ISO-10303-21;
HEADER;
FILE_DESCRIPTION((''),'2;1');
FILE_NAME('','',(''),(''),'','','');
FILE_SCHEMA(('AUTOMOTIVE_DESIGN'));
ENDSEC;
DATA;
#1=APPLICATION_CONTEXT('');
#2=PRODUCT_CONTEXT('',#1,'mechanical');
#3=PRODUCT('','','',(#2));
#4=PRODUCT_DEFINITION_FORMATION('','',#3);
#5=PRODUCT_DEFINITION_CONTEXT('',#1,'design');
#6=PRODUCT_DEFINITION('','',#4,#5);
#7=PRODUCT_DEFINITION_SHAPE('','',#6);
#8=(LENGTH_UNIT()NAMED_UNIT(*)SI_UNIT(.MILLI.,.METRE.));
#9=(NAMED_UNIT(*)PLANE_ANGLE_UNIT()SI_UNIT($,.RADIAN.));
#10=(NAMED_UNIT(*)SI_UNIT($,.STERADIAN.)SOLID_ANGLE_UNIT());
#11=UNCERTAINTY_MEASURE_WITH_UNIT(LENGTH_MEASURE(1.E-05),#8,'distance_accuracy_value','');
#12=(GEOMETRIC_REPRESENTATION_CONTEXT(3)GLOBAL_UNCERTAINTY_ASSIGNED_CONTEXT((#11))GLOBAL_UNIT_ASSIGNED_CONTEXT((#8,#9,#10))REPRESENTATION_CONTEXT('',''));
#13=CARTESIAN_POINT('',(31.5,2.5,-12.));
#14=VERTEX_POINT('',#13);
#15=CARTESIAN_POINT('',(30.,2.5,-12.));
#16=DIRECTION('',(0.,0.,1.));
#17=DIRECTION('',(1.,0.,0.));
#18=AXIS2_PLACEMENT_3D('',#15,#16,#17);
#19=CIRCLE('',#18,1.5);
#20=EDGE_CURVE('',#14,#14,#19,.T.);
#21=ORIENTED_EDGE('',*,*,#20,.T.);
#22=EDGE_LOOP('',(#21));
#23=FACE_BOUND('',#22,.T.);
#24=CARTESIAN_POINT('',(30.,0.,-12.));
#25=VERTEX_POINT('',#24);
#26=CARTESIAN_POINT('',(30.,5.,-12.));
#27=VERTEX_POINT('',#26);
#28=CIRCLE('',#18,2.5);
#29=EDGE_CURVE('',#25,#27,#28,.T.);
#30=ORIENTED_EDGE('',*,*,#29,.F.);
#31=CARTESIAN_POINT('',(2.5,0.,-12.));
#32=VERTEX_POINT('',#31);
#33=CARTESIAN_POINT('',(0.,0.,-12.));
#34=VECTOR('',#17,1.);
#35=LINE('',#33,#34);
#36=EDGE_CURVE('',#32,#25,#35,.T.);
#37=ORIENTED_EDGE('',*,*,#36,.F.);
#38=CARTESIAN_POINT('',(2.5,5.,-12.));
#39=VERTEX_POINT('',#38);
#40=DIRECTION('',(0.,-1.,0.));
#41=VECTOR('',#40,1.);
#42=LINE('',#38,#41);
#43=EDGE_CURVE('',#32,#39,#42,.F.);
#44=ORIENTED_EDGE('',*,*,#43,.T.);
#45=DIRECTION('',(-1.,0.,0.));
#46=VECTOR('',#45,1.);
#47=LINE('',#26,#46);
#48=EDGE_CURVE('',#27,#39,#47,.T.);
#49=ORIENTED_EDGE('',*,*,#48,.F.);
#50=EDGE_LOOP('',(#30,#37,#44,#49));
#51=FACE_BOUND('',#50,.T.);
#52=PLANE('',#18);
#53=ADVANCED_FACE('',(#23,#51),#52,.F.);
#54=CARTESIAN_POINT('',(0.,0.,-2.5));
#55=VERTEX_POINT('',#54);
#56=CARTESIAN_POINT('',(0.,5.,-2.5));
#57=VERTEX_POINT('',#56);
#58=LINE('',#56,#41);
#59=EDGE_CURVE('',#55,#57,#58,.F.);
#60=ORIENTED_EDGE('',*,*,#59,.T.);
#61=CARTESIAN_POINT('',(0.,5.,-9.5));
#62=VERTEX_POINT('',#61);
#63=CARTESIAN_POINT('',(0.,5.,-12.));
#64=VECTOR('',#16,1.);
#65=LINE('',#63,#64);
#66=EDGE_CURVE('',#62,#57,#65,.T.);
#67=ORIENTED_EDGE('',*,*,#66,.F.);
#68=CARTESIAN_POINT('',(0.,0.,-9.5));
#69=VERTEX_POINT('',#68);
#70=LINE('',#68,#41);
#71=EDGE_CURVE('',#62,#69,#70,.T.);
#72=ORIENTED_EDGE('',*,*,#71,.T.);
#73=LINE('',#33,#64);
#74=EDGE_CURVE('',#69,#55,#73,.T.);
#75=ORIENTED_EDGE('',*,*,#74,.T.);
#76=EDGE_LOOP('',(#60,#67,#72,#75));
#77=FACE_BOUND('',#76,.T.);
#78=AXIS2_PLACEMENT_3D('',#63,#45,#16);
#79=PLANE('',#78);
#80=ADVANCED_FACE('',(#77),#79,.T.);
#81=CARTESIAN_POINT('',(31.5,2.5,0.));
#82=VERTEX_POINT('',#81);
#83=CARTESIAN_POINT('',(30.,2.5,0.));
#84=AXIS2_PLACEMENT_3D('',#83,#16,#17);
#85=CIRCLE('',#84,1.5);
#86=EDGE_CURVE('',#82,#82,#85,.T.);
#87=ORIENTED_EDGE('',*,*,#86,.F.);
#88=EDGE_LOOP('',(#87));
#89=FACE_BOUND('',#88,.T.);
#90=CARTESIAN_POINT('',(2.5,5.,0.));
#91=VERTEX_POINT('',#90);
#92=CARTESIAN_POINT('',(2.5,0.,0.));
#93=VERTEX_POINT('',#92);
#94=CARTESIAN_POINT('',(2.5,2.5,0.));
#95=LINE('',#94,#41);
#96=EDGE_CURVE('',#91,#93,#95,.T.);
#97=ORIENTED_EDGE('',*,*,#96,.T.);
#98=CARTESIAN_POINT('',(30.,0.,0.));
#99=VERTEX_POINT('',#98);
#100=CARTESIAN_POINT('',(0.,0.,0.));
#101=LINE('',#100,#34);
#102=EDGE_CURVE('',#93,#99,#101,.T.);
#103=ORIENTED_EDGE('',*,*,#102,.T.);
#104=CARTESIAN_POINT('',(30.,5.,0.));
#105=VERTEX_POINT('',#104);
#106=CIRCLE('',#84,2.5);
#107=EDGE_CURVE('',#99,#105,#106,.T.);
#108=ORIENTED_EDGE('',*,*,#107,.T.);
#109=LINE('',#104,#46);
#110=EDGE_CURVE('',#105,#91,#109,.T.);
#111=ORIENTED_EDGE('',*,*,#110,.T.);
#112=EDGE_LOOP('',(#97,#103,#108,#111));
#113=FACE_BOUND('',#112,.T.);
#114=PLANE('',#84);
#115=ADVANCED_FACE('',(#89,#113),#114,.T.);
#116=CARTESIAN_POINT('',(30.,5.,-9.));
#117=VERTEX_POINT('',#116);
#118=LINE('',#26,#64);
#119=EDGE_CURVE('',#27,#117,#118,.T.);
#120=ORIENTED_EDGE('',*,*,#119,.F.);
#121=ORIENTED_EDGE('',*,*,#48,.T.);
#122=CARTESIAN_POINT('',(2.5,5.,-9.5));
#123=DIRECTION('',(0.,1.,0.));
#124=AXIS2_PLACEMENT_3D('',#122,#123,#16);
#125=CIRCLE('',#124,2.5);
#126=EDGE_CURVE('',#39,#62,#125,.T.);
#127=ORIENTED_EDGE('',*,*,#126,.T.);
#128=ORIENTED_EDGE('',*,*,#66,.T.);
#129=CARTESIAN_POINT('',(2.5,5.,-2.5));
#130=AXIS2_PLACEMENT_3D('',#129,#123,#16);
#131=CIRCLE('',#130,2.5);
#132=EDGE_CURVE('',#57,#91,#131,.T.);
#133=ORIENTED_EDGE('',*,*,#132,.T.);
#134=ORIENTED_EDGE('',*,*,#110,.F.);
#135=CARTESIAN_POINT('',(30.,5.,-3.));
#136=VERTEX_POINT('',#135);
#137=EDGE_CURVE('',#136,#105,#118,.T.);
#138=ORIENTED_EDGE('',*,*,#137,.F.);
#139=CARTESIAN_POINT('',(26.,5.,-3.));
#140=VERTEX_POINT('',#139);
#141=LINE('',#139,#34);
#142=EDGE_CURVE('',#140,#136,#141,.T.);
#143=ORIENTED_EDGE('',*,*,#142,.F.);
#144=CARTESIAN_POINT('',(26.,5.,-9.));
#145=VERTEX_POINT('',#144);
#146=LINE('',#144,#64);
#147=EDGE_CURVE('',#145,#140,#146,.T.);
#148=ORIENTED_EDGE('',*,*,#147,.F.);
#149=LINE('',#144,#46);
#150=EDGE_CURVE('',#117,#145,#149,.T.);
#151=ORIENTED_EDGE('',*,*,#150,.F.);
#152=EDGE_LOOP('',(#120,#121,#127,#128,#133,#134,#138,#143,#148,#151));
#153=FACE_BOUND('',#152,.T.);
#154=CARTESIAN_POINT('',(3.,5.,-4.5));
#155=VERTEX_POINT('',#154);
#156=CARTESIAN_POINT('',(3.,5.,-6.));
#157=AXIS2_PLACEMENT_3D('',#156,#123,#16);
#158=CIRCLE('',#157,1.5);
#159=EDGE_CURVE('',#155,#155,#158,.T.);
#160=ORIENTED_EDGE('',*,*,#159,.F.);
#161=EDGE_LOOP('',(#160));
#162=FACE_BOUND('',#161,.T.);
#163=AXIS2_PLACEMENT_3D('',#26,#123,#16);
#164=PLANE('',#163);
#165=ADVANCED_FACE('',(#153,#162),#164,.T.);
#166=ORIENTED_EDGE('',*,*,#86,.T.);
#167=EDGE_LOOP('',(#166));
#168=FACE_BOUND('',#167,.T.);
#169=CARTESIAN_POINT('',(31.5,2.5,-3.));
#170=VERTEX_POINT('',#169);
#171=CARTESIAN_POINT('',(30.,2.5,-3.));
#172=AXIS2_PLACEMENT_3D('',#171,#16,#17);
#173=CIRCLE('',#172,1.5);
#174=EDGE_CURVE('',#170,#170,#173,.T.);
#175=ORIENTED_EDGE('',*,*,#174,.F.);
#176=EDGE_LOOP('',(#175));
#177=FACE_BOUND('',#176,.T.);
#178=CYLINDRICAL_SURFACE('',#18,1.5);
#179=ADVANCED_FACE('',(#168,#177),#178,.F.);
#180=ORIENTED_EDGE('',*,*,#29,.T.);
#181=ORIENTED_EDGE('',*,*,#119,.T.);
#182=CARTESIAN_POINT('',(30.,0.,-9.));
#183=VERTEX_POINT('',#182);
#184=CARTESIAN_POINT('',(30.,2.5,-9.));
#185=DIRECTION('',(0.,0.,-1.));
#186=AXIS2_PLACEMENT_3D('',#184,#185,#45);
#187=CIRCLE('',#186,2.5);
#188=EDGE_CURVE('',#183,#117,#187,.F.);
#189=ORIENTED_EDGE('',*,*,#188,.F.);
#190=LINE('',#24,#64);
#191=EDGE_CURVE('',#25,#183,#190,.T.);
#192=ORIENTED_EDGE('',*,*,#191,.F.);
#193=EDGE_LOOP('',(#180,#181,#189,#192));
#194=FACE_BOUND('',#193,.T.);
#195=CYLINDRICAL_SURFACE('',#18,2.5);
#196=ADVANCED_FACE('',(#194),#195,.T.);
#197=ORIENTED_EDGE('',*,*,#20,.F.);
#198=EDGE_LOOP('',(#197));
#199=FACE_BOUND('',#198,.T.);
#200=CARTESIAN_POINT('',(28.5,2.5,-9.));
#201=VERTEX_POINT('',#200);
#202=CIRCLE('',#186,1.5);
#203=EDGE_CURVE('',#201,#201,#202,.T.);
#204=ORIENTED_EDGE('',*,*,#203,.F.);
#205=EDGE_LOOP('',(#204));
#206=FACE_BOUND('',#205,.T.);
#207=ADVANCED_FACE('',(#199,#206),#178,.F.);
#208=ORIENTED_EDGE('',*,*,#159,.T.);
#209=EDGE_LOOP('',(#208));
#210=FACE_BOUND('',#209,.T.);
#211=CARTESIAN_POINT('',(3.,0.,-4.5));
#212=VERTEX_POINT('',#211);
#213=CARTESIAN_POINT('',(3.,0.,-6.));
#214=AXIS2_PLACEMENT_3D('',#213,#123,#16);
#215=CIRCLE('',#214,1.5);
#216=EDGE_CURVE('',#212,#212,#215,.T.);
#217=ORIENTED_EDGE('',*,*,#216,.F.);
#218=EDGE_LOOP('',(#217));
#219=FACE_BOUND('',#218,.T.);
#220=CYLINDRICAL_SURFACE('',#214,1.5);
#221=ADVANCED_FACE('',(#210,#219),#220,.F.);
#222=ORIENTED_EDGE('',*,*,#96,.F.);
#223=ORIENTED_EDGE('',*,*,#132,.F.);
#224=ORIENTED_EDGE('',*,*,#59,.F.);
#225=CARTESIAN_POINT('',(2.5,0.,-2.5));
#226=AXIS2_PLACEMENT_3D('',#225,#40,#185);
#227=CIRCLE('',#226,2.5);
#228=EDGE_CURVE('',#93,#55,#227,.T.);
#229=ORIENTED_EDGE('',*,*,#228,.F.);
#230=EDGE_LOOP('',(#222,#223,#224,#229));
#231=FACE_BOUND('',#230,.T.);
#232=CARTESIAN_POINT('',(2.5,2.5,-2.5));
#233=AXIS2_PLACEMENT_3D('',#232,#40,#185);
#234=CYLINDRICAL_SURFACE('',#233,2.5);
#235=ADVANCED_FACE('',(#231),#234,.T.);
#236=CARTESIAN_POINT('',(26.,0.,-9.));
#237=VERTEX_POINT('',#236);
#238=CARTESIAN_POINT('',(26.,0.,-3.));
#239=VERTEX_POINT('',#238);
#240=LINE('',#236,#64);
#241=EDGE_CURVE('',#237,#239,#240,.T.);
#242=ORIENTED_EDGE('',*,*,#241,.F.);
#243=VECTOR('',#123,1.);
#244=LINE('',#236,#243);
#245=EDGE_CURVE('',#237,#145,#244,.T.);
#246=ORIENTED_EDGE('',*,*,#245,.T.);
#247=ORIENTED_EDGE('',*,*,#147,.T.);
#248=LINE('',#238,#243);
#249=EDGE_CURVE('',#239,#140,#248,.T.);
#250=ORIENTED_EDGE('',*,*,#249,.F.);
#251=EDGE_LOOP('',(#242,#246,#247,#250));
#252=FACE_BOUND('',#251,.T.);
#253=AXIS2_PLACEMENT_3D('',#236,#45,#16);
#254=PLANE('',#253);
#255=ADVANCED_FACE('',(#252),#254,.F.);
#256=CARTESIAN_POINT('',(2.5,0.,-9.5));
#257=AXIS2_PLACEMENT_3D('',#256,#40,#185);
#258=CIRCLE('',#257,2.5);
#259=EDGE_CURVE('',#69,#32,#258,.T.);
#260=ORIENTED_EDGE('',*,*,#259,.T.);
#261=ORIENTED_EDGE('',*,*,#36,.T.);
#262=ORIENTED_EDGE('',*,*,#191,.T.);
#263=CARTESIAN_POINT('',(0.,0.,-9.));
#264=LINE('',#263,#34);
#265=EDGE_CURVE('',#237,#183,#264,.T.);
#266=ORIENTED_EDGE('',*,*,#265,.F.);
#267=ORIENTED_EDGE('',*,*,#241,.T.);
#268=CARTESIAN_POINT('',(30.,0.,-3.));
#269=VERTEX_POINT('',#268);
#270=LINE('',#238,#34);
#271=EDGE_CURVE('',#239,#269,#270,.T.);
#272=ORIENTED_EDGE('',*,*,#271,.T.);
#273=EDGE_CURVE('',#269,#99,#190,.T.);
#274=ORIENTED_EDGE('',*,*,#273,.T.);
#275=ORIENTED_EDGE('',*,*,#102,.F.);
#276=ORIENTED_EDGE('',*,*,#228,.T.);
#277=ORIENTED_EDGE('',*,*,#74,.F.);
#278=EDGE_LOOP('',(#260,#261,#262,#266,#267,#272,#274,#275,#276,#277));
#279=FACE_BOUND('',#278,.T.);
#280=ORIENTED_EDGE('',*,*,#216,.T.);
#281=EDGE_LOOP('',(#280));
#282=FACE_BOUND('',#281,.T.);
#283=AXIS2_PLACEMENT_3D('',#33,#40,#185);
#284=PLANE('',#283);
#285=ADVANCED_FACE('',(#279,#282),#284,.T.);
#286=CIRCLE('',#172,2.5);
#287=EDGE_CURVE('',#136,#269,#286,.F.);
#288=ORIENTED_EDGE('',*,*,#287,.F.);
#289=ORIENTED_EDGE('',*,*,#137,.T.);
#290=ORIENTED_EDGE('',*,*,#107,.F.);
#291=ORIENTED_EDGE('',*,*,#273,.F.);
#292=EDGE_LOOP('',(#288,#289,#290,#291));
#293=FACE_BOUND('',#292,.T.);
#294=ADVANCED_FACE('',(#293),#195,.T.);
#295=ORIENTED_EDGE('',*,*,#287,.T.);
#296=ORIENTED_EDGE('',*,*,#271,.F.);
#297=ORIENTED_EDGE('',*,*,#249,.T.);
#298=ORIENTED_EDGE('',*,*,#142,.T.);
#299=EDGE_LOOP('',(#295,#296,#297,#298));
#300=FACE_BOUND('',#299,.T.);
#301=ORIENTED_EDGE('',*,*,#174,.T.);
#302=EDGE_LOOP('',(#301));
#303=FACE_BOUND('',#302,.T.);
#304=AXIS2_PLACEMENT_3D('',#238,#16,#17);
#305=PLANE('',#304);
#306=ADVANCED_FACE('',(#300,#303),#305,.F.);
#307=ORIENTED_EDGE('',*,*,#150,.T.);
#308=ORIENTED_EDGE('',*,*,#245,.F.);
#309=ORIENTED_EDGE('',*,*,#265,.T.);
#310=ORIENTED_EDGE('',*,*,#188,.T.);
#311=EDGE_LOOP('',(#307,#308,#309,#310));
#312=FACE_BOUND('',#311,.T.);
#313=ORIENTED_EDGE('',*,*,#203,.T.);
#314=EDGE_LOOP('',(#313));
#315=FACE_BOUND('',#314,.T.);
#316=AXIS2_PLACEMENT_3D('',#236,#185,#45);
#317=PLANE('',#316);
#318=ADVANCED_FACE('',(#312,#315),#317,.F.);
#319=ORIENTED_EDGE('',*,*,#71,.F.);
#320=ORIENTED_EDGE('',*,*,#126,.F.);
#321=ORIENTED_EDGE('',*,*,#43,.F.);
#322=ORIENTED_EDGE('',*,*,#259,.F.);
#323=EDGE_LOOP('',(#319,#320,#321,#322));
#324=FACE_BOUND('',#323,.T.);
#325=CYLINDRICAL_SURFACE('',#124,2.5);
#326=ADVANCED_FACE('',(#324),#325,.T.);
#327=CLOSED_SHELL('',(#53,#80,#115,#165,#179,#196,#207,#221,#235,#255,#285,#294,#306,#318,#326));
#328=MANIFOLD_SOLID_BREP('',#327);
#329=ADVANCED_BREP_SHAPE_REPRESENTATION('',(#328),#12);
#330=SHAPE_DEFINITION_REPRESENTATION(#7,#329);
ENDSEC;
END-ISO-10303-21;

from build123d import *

# Parameters (mm, degrees)
BOSS_EXTRUDE1_DEPTH = 12
SKETCH2_W           = 6.5
SKETCH2_H           = 6
CUT_EXTRUDE1_DEPTH  = 36.003571246
SKETCH3_R           = 1.5
CUT_EXTRUDE2_DEPTH  = 12
SKETCH6_R           = 1.5
CUT_EXTRUDE3_DEPTH  = 36.003571246
FILLET1_R           = 2.5


with BuildPart() as part:
    # Sketch1 → Boss-Extrude1 (new body)
    with BuildSketch(Plane.XY):
        with BuildLine():
            Line((0, 0), (30, 0))
            ThreePointArc((30, 0), (32.5, 2.5), (30, 5))
            Line((30, 5), (0, 5))
            Line((0, 5), (0, 0))
        make_face()
    extrude(amount=-BOSS_EXTRUDE1_DEPTH)

    # Sketch2 → Cut-Extrude1 (cut, through all)
    with BuildSketch(Plane(origin=(0, 5, 0), x_dir=(1, 0, 0), z_dir=(0, 1, 0))):
        with Locations((29.25, 6)):
            Rectangle(SKETCH2_W, SKETCH2_H)
    extrude(amount=-CUT_EXTRUDE1_DEPTH, mode=Mode.SUBTRACT)

    # Sketch3 → Cut-Extrude2 (cut)
    with BuildSketch(Plane.XY):
        with Locations((30, 2.5)):
            Circle(SKETCH3_R)
    extrude(amount=-CUT_EXTRUDE2_DEPTH, mode=Mode.SUBTRACT)

    # Sketch6 → Cut-Extrude3 (cut, through all)
    with BuildSketch(Plane(origin=(0, 5, 0), x_dir=(1, 0, 0), z_dir=(0, 1, 0))):
        with Locations(Location((3, 6, 0), (0, 0, 270))):
            Circle(SKETCH6_R)
    extrude(amount=-CUT_EXTRUDE3_DEPTH, mode=Mode.SUBTRACT)

    # Fillet1
    fillet1_edges = [part.edges().sort_by_distance(p)[0] for p in [
        (0, 2.5, -12),
        (0, 2.5, 0),
    ]]
    fillet(fillet1_edges, radius=FILLET1_R)


solid = part.part
